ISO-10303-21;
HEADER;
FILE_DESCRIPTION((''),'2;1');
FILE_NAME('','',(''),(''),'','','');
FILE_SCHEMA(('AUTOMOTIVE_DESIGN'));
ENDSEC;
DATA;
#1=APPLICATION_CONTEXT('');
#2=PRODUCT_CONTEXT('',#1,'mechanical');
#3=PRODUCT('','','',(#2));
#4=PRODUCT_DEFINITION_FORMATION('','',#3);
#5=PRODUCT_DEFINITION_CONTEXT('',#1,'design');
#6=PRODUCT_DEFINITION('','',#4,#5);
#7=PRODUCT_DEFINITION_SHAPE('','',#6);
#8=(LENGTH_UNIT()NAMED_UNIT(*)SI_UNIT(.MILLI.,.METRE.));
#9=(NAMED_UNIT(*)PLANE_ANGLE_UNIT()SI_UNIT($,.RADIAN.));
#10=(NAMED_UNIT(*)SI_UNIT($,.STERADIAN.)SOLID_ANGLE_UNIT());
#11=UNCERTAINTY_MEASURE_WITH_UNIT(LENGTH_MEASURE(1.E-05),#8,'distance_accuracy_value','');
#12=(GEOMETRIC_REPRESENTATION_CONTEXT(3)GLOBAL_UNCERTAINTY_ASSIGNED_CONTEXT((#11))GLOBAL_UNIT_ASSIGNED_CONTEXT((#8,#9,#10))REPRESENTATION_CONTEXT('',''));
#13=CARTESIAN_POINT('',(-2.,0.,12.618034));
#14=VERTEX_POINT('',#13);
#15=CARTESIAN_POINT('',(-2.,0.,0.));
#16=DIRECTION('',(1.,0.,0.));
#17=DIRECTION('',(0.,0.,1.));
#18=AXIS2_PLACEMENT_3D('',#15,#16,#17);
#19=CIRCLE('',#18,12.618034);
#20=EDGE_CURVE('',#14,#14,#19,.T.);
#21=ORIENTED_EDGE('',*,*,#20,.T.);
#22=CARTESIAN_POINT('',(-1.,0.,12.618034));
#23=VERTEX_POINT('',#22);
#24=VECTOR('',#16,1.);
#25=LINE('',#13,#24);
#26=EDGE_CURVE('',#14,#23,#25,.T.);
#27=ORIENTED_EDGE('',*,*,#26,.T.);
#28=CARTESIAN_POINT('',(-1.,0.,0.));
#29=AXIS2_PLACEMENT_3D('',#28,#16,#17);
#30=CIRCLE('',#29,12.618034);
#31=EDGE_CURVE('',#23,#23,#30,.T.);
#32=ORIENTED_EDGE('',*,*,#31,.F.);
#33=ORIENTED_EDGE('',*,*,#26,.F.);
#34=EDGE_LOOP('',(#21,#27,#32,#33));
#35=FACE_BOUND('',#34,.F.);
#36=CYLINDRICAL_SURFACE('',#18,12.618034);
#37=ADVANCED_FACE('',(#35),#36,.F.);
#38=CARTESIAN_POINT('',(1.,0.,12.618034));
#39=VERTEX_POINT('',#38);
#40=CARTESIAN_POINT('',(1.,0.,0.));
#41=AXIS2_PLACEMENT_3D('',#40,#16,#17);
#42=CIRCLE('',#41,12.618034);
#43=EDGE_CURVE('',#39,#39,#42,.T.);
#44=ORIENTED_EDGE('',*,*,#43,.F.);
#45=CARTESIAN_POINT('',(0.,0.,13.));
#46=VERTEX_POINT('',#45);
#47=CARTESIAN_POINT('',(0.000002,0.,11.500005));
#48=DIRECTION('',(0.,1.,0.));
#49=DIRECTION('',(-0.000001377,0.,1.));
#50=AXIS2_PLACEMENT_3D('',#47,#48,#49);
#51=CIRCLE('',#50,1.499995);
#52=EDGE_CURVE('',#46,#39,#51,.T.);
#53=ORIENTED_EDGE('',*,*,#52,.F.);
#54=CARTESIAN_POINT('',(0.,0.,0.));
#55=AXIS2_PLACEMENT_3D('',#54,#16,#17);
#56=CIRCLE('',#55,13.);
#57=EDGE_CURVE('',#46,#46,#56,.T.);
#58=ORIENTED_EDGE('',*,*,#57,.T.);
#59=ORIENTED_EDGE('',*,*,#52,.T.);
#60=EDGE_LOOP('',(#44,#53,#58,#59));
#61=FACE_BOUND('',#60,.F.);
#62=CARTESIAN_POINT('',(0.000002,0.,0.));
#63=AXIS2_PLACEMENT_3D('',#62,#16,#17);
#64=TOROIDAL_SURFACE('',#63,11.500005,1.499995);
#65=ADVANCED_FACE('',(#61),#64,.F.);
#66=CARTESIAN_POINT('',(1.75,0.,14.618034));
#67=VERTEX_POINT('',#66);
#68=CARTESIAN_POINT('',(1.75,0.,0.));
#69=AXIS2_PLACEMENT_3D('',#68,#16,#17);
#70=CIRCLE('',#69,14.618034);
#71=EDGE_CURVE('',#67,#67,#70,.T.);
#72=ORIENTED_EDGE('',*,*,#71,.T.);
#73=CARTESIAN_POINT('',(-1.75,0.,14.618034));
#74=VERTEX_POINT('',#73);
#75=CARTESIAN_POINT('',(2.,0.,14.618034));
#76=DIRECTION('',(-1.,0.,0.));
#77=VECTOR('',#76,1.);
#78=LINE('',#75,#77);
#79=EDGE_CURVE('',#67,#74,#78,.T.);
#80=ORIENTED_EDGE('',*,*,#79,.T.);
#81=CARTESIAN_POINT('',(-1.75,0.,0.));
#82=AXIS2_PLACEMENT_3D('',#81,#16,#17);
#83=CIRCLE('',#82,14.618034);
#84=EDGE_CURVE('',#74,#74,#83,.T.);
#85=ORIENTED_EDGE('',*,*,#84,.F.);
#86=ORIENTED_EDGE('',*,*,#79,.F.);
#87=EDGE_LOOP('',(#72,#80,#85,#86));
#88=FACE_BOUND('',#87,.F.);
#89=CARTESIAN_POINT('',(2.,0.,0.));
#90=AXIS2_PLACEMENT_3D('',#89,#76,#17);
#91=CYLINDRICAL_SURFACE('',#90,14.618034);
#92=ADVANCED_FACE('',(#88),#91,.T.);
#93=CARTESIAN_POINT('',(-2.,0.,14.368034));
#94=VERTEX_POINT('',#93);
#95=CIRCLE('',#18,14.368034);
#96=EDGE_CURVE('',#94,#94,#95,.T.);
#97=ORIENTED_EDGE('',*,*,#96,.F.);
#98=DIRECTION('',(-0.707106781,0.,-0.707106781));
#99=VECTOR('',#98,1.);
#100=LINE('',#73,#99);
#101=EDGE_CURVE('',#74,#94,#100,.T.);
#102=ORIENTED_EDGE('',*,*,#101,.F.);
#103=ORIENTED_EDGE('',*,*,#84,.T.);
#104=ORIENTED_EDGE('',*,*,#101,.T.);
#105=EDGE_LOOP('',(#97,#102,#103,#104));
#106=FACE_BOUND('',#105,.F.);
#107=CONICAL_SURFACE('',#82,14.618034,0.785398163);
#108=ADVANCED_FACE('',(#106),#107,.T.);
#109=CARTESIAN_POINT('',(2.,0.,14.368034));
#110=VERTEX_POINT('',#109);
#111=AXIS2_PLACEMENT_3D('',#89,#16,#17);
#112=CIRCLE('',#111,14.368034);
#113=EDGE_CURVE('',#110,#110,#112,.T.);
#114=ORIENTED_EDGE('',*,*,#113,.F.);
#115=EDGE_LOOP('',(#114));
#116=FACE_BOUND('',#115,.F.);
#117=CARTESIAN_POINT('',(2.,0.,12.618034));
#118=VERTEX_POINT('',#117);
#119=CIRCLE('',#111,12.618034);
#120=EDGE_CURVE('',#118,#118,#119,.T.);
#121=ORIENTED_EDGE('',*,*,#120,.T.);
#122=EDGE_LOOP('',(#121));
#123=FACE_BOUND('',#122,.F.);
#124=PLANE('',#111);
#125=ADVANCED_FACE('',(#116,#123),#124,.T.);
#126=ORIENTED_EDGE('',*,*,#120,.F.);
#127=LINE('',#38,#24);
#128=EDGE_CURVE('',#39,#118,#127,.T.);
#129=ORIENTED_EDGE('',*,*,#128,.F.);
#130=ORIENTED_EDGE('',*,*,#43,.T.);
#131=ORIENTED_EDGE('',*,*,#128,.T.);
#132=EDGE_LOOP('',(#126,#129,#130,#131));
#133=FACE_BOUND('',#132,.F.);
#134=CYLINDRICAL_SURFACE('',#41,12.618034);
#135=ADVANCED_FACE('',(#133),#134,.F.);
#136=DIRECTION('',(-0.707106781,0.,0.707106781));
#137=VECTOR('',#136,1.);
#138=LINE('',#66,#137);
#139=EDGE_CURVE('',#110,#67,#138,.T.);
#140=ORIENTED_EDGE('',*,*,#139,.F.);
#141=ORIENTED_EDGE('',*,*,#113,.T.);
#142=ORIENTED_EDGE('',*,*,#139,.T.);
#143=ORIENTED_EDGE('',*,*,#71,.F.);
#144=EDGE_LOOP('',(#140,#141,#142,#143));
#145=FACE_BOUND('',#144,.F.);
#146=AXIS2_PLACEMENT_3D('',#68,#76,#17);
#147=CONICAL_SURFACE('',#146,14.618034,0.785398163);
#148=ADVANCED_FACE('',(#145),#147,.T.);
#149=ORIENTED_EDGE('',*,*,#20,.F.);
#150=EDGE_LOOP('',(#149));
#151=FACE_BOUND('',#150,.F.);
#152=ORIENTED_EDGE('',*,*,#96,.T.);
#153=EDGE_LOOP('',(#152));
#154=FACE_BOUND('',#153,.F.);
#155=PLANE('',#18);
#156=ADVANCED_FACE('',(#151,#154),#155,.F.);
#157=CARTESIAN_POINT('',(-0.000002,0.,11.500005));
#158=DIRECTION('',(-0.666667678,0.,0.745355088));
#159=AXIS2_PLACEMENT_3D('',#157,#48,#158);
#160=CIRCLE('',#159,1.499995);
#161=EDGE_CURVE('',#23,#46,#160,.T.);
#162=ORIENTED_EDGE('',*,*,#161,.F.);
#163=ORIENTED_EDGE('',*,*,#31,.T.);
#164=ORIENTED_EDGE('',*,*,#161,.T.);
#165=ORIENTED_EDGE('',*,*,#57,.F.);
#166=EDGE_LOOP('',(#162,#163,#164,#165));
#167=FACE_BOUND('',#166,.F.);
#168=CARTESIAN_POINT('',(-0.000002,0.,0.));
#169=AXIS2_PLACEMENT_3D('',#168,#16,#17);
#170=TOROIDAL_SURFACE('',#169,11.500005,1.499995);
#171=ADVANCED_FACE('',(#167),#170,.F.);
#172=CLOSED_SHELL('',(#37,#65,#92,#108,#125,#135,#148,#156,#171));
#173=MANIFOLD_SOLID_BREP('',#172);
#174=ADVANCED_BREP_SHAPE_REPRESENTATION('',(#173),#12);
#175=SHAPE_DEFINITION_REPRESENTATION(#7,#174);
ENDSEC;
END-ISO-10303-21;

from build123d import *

# Parameters (mm, degrees)
F2_SIZE = 0.25


with BuildPart() as f1:
    # F0 (on Front) → F1 (revolve)
    with BuildSketch(Plane.XZ):
        with BuildLine():
            ThreePointArc((0, 13), (0.535233, 12.901259), (1, 12.618034))
            Line((1, 12.618034), (2, 12.618034))
            Line((2, 12.618034), (2, 14.618034))
            Line((2, 14.618034), (0, 14.618034))
            Line((0, 14.618034), (0, 13))
        make_face()
        with BuildLine():
            ThreePointArc((-1, 12.618034), (-0.535233, 12.901259), (0, 13))
            Line((0, 13), (0, 14.618034))
            Line((0, 14.618034), (-2, 14.618034))
            Line((-2, 14.618034), (-2, 12.618034))
            Line((-2, 12.618034), (-1, 12.618034))
        make_face()
    revolve(axis=Axis((0.408548, 0, 0), (1, 0, 0)))

    # F2
    f2_edges = [f1.edges().sort_by_distance(p)[0] for p in [
        (2, 0, -14.618034),
        (-2, 0, -14.618034),
    ]]
    chamfer(f2_edges, length=F2_SIZE)


solid = f1.part
